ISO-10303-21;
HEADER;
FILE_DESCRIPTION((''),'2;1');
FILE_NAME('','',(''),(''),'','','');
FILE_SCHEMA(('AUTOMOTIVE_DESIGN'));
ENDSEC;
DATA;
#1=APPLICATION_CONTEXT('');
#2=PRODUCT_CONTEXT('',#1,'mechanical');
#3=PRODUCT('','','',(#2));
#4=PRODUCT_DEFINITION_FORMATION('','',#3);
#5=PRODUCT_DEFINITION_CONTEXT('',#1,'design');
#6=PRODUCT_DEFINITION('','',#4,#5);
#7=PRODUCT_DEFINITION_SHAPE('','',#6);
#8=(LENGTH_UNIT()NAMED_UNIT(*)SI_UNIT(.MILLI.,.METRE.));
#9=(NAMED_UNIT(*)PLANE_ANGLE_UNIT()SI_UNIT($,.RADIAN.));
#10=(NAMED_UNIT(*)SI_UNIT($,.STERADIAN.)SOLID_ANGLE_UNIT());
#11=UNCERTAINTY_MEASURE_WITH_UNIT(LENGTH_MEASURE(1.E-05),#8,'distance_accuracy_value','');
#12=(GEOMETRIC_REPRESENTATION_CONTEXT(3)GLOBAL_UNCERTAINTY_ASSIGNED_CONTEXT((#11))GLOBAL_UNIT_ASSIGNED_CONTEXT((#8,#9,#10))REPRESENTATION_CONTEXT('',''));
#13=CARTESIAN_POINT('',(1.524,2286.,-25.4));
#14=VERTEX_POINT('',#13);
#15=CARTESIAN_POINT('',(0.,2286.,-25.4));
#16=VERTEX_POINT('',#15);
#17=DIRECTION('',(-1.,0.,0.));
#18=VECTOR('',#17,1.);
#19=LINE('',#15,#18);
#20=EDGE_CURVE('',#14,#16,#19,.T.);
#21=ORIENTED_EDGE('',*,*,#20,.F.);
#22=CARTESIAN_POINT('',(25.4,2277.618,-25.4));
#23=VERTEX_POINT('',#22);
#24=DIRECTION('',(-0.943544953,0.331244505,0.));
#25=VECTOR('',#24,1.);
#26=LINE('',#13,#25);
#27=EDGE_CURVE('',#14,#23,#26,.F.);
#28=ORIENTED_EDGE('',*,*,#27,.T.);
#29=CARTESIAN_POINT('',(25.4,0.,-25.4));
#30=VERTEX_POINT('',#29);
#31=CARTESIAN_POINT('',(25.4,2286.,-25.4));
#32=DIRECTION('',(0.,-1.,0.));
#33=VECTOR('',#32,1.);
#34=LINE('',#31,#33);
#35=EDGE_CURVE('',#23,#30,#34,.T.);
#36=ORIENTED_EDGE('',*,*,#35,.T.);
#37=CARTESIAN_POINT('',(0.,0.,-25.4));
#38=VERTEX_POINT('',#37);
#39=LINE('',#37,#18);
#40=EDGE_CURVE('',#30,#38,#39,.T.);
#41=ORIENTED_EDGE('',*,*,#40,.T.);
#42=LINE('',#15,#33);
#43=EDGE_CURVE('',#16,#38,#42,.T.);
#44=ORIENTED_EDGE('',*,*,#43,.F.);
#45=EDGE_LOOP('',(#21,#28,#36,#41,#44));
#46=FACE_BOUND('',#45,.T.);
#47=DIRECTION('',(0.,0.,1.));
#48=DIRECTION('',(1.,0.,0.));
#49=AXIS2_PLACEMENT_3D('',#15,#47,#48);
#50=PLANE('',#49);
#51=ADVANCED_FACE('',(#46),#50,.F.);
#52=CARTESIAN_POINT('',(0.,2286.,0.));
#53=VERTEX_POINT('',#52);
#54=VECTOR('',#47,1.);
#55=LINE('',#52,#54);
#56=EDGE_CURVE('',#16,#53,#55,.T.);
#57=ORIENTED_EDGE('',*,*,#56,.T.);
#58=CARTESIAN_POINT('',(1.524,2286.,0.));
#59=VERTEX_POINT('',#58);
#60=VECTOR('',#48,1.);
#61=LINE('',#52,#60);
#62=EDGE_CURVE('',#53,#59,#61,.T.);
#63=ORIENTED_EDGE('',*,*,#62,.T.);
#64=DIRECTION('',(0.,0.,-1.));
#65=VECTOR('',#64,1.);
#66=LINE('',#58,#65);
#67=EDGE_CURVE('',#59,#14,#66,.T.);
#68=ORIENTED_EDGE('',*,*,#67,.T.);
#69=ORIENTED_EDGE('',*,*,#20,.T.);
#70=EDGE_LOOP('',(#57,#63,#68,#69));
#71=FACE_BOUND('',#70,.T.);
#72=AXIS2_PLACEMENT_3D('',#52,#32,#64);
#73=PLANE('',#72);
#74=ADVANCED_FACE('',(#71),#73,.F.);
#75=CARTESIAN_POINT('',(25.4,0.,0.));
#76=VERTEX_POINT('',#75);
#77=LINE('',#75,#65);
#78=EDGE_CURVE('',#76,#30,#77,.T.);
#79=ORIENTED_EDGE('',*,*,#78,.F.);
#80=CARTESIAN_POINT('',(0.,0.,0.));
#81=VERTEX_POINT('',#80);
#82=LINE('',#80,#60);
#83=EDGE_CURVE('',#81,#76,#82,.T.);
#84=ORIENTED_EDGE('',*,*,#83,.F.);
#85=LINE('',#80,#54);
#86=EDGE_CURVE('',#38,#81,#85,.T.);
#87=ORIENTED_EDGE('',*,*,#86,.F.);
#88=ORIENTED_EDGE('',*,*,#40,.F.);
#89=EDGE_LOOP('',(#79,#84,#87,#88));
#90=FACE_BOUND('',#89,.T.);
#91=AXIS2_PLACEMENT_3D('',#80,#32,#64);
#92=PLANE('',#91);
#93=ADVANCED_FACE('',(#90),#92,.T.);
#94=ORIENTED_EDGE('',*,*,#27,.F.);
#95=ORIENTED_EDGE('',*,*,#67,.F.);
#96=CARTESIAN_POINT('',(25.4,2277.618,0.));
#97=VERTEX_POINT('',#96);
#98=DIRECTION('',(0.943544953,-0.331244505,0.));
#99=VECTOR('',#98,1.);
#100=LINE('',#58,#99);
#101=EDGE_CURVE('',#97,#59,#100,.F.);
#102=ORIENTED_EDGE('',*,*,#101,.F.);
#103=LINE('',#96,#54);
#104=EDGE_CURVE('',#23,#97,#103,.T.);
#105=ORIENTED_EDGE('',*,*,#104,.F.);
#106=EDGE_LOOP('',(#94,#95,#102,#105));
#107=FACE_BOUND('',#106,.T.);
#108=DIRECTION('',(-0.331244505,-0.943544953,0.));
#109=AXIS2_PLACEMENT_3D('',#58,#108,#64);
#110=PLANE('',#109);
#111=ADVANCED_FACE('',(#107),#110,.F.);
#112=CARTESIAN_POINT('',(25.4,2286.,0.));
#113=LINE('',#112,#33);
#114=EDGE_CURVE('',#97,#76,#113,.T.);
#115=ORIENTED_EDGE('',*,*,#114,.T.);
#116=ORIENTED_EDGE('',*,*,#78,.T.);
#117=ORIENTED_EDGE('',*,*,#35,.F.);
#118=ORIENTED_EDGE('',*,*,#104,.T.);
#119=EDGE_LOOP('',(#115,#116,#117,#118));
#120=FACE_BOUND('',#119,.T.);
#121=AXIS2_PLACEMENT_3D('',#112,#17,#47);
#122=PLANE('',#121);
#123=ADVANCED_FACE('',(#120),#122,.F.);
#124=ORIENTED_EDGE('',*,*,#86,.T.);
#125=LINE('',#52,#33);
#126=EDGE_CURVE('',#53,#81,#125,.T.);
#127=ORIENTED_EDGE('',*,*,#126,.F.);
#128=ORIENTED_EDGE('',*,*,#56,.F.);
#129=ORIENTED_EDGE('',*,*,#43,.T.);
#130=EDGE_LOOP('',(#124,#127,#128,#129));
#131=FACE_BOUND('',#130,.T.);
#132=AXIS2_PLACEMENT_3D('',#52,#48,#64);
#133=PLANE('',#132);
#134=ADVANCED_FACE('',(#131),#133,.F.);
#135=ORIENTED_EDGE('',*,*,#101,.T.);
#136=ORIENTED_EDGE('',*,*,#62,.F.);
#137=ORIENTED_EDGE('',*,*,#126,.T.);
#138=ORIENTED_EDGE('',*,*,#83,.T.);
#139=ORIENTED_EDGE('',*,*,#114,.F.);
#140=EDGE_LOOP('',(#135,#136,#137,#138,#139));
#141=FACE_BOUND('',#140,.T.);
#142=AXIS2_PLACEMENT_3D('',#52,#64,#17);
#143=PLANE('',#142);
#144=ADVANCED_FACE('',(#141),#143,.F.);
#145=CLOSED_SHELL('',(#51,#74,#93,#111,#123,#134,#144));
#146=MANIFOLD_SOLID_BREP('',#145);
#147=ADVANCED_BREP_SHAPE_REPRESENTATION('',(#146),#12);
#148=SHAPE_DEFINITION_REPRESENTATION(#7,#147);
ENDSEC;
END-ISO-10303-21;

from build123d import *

# Parameters (mm, degrees)
SKETCH1_W           = 25.4
SKETCH1_H           = 25.4
BOSS_EXTRUDE1_DEPTH = 2286
CHAMFER1_SIZE       = 8.382
CHAMFER1_SIZE2      = 23.876


with BuildPart() as part:
    # Sketch1 → Boss-Extrude1 (new body)
    with BuildSketch(Plane(origin=(0, 0, 0), x_dir=(1, 0, 0), z_dir=(0, 1, 0))):
        with Locations((12.7, 12.7)):
            Rectangle(SKETCH1_W, SKETCH1_H)
    extrude(amount=BOSS_EXTRUDE1_DEPTH)

    # Chamfer1
    chamfer1_edges = [part.edges().sort_by_distance(p)[0] for p in [
        (25.4, 2286, -12.7),
    ]]
    chamfer1_side = [part.faces().sort_by_distance(p)[0] for p in [
        (25.4, 1143, -12.7),
    ]]
    chamfer(chamfer1_edges, length=CHAMFER1_SIZE, length2=CHAMFER1_SIZE2, reference=chamfer1_side[0])


solid = part.part
